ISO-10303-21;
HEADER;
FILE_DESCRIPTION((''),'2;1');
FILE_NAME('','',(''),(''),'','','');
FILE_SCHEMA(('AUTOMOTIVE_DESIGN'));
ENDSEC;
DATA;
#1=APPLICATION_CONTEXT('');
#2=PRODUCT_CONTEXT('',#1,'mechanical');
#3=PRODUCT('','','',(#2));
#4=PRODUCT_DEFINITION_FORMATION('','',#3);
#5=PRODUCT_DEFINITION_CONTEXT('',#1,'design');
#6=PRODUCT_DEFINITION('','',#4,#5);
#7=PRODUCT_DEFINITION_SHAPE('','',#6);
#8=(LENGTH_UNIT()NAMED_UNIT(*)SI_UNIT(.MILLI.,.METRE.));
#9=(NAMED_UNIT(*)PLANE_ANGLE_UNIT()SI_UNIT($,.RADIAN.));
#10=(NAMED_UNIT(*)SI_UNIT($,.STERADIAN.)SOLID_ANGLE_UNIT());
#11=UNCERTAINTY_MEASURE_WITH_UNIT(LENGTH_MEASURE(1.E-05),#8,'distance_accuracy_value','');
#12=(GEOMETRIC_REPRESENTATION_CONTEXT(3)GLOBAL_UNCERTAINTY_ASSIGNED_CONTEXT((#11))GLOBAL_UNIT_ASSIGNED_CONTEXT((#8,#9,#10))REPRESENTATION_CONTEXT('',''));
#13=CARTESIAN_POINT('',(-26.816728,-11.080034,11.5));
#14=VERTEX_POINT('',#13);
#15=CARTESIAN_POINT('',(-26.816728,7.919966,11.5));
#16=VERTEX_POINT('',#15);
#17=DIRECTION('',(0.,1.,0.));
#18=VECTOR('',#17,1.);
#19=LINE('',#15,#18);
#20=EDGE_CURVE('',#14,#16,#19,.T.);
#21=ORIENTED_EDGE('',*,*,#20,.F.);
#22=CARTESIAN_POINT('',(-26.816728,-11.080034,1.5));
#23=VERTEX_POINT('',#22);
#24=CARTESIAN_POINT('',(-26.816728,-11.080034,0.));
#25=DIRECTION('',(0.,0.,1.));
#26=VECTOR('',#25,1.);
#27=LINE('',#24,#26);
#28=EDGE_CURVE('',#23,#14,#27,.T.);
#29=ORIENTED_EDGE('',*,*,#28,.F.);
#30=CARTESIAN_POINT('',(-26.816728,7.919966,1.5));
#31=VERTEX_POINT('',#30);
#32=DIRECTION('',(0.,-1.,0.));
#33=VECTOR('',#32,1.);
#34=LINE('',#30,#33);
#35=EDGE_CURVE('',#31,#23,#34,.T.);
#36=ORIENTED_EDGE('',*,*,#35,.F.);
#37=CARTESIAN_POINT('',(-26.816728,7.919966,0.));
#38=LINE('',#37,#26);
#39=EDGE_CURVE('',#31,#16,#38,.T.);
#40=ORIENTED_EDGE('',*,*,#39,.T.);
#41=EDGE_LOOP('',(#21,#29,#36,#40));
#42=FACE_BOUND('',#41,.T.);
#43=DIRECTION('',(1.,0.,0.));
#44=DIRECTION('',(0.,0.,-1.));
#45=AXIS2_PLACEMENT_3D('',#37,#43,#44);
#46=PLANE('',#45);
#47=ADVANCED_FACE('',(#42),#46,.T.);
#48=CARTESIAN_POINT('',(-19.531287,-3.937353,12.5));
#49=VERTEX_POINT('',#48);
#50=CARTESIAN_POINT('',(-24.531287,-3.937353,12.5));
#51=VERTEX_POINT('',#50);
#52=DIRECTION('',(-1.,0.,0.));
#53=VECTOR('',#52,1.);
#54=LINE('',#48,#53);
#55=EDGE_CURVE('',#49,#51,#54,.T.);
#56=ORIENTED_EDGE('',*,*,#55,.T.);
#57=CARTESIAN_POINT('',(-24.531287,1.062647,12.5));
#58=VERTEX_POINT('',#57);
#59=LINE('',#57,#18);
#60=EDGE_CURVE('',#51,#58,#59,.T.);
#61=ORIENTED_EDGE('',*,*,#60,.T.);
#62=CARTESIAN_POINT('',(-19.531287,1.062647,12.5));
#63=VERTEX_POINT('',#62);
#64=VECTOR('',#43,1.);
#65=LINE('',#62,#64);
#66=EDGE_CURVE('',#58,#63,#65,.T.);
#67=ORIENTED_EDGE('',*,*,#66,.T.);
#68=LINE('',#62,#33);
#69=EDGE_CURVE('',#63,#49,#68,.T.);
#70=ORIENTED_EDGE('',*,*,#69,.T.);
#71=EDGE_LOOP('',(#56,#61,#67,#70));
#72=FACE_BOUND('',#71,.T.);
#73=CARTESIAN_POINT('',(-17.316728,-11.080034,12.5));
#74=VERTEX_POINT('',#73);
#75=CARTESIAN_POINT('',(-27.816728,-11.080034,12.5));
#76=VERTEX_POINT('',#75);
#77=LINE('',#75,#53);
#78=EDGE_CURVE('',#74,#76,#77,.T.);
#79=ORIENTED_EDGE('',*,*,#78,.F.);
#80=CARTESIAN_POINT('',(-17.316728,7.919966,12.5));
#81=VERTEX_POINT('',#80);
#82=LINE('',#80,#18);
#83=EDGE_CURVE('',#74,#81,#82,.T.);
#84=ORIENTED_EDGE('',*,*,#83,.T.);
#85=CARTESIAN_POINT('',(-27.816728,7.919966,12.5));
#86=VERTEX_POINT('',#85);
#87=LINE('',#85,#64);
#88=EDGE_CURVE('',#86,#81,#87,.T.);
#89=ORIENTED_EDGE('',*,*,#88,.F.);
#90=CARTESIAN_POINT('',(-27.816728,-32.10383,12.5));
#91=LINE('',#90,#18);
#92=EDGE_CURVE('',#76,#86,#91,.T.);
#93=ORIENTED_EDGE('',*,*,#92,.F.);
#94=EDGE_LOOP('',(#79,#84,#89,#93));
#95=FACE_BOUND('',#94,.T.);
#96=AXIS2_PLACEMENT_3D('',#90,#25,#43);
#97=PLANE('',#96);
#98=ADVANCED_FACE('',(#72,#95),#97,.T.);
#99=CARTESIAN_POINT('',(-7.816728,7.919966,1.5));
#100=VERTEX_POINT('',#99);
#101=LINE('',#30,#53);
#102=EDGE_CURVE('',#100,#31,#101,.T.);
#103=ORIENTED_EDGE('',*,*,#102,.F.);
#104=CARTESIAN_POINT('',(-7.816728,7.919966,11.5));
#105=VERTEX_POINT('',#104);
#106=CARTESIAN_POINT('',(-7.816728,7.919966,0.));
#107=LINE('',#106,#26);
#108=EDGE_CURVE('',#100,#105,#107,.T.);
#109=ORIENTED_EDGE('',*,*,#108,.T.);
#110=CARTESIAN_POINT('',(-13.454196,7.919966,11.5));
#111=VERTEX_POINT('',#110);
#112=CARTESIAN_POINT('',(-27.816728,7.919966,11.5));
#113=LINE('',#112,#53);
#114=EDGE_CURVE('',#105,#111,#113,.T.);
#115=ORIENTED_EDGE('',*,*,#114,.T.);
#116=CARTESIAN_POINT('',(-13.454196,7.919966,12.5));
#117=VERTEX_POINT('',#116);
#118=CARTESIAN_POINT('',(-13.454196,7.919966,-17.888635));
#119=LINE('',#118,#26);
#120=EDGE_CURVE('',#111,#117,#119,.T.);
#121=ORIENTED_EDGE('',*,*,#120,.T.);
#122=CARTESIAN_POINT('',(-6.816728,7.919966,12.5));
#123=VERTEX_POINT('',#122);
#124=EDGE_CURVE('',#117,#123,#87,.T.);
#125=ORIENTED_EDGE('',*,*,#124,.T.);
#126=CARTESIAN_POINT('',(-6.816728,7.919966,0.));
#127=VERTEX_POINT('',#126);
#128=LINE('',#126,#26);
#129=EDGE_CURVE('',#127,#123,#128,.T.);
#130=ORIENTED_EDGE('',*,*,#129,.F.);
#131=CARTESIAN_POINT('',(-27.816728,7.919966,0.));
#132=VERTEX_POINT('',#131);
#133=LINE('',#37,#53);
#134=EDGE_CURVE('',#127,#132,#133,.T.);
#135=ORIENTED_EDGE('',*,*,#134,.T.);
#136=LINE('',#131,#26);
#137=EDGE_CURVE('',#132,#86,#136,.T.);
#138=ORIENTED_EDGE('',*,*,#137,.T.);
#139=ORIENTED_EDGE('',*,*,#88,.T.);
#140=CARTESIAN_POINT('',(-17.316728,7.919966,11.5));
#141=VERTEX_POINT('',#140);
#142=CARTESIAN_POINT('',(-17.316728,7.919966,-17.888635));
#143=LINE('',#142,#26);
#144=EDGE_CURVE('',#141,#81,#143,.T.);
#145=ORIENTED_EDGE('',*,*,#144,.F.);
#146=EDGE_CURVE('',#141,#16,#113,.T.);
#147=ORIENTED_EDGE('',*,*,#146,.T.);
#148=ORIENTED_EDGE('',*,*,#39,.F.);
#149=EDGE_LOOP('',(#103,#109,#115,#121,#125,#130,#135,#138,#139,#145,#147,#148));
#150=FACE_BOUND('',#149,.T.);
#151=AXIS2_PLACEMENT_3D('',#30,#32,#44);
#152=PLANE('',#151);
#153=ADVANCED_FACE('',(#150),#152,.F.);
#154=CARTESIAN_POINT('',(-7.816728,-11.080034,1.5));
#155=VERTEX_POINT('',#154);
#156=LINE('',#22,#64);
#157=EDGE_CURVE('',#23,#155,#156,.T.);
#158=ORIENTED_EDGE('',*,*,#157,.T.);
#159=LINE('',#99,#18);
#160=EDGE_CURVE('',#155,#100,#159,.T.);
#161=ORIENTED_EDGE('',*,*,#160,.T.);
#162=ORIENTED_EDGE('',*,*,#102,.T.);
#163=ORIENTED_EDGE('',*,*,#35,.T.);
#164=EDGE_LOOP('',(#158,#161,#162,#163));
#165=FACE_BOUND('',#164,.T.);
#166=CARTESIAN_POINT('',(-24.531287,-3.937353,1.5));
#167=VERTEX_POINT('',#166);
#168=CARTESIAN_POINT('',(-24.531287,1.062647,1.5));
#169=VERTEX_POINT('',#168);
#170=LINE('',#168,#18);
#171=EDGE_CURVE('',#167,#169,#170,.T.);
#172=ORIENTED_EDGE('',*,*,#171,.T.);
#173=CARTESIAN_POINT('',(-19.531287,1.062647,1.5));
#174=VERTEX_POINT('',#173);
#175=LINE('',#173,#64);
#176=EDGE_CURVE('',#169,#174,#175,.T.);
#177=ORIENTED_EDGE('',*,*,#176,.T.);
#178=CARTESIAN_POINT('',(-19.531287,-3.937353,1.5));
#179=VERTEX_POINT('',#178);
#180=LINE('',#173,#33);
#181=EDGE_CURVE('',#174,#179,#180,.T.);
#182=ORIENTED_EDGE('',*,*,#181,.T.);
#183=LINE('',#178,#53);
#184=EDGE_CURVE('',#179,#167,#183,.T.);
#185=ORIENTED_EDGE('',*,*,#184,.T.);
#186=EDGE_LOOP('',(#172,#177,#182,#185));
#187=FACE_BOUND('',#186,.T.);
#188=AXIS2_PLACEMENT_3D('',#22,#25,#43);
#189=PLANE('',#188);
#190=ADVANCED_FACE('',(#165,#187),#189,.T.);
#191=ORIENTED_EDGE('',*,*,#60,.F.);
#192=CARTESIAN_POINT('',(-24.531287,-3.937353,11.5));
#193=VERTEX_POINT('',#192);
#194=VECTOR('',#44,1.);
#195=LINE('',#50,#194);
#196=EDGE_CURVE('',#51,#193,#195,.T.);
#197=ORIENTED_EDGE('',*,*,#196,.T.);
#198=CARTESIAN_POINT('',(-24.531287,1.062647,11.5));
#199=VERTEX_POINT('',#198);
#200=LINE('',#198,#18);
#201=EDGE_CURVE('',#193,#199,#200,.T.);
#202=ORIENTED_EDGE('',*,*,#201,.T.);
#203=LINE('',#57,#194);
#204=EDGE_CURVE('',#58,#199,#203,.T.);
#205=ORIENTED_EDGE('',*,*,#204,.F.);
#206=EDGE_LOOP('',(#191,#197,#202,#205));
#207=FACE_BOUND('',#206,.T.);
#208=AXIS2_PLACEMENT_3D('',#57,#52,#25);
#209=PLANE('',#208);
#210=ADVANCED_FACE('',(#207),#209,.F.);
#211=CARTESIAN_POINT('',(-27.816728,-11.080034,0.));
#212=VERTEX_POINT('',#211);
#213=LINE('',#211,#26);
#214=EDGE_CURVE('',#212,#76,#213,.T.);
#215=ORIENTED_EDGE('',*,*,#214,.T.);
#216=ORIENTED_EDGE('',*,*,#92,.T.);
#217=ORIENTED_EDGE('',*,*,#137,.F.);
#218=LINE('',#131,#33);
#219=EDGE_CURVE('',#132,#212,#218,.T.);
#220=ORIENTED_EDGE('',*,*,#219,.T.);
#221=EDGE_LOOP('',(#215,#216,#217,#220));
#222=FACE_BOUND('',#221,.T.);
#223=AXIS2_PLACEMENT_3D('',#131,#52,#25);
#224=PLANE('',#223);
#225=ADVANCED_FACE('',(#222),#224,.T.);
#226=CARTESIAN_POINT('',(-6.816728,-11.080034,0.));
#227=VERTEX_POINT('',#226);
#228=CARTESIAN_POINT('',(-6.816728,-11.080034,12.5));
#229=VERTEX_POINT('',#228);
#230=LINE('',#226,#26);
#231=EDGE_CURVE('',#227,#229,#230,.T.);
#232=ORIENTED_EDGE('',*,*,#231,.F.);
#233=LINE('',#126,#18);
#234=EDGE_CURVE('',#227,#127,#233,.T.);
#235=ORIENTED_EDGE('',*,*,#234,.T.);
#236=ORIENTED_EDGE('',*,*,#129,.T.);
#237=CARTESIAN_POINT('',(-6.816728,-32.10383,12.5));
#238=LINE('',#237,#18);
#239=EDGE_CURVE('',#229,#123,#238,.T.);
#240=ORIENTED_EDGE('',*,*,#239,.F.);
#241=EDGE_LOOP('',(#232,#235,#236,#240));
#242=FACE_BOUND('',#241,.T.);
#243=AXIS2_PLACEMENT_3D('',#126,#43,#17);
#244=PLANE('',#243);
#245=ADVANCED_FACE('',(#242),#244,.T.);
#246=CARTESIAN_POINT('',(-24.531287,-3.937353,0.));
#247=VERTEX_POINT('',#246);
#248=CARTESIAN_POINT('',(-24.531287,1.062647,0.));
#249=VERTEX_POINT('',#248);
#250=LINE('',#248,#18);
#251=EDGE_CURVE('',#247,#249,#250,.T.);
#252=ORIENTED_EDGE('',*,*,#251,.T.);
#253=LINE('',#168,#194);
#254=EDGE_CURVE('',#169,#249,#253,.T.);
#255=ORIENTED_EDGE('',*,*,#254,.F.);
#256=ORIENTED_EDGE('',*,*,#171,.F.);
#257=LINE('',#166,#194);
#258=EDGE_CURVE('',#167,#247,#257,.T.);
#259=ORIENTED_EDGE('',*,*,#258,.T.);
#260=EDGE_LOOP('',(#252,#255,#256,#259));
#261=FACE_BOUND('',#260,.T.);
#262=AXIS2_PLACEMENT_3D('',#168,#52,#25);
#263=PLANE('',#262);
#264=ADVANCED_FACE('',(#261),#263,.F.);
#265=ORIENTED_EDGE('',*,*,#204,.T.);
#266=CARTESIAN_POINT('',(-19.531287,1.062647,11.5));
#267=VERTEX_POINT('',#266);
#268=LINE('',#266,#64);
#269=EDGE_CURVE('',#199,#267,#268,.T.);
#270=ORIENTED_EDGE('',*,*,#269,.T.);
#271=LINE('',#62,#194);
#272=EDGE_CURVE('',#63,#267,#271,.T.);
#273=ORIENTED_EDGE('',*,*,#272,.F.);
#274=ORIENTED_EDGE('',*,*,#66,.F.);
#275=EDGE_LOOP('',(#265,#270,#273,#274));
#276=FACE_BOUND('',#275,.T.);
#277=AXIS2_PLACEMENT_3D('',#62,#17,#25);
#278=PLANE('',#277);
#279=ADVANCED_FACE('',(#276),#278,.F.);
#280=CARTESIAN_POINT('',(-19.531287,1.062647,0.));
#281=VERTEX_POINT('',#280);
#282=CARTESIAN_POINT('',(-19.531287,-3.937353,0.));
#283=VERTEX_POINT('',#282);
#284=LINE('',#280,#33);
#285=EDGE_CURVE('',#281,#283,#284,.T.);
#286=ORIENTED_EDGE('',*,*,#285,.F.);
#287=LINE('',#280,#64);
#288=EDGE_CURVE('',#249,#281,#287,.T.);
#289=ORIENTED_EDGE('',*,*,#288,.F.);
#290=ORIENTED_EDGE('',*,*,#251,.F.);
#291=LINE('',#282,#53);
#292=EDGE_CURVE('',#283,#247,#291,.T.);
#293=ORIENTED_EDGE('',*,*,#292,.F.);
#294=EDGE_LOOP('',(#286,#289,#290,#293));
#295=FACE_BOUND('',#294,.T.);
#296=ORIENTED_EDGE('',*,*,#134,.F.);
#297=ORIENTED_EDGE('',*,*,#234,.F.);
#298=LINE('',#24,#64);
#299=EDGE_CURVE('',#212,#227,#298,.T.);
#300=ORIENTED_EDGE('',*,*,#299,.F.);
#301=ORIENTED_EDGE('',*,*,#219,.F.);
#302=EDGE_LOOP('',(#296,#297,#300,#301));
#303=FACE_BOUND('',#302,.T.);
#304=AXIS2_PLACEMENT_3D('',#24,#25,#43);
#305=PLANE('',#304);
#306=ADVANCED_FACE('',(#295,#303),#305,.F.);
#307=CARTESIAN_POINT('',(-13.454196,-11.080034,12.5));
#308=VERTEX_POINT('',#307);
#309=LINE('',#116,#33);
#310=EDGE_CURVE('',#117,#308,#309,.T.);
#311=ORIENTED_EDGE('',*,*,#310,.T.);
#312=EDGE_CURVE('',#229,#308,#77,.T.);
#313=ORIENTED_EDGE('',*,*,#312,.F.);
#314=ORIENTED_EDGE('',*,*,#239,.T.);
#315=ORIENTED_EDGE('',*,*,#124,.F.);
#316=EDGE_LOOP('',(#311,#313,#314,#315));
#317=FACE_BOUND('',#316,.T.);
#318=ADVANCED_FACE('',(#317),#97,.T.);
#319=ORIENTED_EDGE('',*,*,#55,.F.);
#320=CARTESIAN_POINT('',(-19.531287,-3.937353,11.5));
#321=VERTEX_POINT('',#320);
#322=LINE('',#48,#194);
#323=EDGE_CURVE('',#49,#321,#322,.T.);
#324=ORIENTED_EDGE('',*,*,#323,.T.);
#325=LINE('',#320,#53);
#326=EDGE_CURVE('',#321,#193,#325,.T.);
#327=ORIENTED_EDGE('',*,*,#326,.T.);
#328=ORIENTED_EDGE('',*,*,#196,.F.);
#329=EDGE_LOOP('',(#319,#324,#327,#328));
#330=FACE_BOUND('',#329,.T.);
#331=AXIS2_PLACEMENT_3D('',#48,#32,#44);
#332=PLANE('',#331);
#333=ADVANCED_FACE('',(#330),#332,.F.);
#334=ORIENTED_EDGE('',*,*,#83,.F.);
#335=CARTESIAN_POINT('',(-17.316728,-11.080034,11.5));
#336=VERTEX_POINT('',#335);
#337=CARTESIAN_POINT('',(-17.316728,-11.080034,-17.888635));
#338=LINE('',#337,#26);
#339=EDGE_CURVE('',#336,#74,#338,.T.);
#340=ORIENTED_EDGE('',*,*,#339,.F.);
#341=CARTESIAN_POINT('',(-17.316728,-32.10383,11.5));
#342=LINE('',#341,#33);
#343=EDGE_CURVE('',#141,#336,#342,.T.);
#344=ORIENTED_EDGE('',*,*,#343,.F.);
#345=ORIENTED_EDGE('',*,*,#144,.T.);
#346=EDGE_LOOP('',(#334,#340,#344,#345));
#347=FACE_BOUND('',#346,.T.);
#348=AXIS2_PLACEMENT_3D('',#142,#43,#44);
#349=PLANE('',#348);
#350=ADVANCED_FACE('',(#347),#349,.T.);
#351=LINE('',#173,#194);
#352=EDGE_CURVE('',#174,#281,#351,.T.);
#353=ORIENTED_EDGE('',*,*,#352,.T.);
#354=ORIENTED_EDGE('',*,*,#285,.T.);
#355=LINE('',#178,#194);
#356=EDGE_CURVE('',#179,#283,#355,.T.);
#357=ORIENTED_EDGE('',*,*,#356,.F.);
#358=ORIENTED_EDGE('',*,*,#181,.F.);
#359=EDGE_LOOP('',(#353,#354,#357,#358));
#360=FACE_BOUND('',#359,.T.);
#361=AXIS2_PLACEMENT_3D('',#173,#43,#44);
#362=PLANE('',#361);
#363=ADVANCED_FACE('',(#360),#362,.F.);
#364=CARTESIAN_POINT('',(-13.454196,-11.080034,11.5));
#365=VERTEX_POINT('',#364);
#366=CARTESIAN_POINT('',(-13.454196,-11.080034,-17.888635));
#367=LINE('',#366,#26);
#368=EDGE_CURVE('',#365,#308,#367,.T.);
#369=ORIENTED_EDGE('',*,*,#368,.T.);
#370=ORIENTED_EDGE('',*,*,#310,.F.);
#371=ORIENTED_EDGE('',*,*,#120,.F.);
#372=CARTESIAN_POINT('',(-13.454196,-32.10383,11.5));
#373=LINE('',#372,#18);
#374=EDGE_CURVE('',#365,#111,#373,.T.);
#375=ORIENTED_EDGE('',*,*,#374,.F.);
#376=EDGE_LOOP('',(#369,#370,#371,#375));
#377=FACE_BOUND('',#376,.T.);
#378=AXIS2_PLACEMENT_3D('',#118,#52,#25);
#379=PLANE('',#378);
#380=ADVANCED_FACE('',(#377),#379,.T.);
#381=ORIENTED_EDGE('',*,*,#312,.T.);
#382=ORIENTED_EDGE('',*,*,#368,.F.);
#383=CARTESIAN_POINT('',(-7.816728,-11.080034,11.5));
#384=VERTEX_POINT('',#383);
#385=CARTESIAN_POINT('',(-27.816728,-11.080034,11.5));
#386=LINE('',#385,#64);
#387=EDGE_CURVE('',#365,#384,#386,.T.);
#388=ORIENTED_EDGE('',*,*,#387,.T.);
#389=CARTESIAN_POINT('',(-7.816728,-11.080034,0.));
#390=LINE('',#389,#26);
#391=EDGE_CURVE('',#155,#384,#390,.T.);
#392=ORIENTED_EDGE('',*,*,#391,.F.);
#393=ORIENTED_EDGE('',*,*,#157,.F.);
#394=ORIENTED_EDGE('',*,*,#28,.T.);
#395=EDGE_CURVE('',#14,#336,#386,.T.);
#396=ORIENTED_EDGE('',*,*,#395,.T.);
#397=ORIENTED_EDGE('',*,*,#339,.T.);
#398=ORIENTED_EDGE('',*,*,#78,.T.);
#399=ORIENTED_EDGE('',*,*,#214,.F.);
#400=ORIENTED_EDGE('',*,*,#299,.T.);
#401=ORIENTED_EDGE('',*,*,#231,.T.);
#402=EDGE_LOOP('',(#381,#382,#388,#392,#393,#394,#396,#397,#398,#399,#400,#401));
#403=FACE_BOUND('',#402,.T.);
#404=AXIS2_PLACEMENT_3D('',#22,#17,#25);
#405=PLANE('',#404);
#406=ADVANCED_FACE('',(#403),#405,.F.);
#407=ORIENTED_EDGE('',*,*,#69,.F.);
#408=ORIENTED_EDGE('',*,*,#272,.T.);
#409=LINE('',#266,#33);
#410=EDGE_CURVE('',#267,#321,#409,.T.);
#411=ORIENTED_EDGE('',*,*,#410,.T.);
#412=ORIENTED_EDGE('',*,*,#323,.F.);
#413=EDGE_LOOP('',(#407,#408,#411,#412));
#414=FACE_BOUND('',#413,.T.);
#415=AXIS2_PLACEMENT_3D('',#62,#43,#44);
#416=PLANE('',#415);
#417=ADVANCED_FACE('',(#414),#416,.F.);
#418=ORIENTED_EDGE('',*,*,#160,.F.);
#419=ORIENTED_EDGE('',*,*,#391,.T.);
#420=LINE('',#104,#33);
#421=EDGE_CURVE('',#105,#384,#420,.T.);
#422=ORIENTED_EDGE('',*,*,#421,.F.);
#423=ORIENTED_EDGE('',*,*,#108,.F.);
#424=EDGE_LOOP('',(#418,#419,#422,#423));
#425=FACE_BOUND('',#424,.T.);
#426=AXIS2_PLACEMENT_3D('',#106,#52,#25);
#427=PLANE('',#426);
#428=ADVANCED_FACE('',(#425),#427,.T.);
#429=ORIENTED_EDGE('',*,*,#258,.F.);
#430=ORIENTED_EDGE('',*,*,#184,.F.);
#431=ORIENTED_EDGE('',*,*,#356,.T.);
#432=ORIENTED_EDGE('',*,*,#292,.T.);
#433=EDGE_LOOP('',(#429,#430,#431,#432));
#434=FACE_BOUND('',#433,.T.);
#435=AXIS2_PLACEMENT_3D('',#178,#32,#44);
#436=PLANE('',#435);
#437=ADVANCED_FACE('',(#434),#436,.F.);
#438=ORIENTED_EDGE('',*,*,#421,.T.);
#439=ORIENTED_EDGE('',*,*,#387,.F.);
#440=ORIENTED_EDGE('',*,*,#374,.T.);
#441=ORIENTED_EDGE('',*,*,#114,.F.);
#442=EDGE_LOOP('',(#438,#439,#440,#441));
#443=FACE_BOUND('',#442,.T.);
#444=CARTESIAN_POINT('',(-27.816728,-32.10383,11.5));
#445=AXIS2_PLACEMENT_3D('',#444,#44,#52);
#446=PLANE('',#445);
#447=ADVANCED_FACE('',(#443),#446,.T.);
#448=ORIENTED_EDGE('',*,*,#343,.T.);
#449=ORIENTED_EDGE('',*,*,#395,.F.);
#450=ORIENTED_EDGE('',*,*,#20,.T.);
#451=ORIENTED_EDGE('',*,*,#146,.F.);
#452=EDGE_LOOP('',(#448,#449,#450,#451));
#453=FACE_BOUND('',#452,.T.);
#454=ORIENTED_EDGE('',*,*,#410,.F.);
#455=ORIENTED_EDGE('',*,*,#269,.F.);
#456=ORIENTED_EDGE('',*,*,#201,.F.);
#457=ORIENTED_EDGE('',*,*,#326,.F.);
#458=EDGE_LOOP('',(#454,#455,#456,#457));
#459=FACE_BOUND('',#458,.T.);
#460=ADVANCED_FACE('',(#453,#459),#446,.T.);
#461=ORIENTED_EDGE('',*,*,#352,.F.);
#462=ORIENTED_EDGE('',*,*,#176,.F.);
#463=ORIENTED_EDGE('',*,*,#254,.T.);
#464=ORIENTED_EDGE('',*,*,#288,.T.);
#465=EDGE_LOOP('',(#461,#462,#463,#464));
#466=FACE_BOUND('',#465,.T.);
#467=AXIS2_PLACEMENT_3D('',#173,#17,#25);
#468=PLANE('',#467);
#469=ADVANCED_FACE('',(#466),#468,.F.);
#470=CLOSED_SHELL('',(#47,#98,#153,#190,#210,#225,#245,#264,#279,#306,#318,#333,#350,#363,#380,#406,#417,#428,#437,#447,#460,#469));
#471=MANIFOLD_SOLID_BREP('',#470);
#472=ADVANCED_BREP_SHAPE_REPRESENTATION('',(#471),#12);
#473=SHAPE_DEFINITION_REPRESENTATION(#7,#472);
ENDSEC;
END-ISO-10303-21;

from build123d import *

# Parameters (mm, degrees)
SKETCH1_W                = 19
SKETCH1_H                = 19
BOSS_EXTRUDE1_DEPTH      = 1.5
SKETCH2_W                = 5
SKETCH2_H                = 5
CUT_EXTRUDE1_DEPTH       = 30.054329533
BOSS_EXTRUDE2_DEPTH      = 10
BOSS_EXTRUDE2_DEPTH_BACK = 1.5
SKETCH4_W                = 1
SKETCH4_H                = 19
SKETCH5_W                = 21
SKETCH5_H                = 1
BOSS_EXTRUDE3_DEPTH      = 19
SKETCH6_W                = 5
SKETCH6_H                = 5
CUT_EXTRUDE2_DEPTH       = 33.074717791
SKETCH7_W                = 3.862532253
SKETCH7_H                = 19
CUT_EXTRUDE3_DEPTH       = 1


with BuildPart() as part:
    # Sketch1 → Boss-Extrude1 (new body)
    with BuildSketch(Plane.XY):
        with Locations((-17.316728365, -1.580033592)):
            Rectangle(SKETCH1_W, SKETCH1_H)
    extrude(amount=BOSS_EXTRUDE1_DEPTH)

    # Sketch2 → Cut-Extrude1 (cut, through all)
    with BuildSketch(Plane(origin=(0, 0, 0), x_dir=(-1, 0, 0), z_dir=(0, 0, -1))):
        with Locations((22.031286711, -1.437353134)):
            Rectangle(SKETCH2_W, SKETCH2_H)
    extrude(amount=-CUT_EXTRUDE1_DEPTH, mode=Mode.SUBTRACT)

    # Sketch4 → Boss-Extrude2 (add, two sides: drawn at the far end of the back side and taken through both)
    with BuildSketch(Plane.XY.offset(1.5).offset(-BOSS_EXTRUDE2_DEPTH_BACK)):
        with Locations((-7.316728365, -1.580033592)):
            Rectangle(SKETCH4_W, SKETCH4_H)
        with Locations((-27.316728365, -1.580033592)):
            Rectangle(SKETCH4_W, SKETCH4_H)
    extrude(amount=BOSS_EXTRUDE2_DEPTH + BOSS_EXTRUDE2_DEPTH_BACK)

    # Sketch5 → Boss-Extrude3 (add)
    with BuildSketch(Plane(origin=(0, 7.919966408, 0), x_dir=(-1, 0, 0), z_dir=(0, 1, 0))):
        with Locations((17.316728365, 12)):
            Rectangle(SKETCH5_W, SKETCH5_H)
    extrude(amount=-BOSS_EXTRUDE3_DEPTH)

    # Sketch6 → Cut-Extrude2 (cut, through all)
    with BuildSketch(Plane(origin=(0, 0, 11.5), x_dir=(-1, 0, 0), z_dir=(0, 0, -1))):
        with Locations((22.031286711, -1.437353134)):
            Rectangle(SKETCH6_W, SKETCH6_H)
    extrude(amount=-CUT_EXTRUDE2_DEPTH, mode=Mode.SUBTRACT)

    # Sketch7 → Cut-Extrude3 (cut)
    with BuildSketch(Plane(origin=(0, 0, 12.5), x_dir=(-1, 0, 0), z_dir=(0, 0, -1))):
        with Locations((15.385462239, -1.580033592)):
            Rectangle(SKETCH7_W, SKETCH7_H)
    extrude(amount=CUT_EXTRUDE3_DEPTH, mode=Mode.SUBTRACT)


solid = part.part
